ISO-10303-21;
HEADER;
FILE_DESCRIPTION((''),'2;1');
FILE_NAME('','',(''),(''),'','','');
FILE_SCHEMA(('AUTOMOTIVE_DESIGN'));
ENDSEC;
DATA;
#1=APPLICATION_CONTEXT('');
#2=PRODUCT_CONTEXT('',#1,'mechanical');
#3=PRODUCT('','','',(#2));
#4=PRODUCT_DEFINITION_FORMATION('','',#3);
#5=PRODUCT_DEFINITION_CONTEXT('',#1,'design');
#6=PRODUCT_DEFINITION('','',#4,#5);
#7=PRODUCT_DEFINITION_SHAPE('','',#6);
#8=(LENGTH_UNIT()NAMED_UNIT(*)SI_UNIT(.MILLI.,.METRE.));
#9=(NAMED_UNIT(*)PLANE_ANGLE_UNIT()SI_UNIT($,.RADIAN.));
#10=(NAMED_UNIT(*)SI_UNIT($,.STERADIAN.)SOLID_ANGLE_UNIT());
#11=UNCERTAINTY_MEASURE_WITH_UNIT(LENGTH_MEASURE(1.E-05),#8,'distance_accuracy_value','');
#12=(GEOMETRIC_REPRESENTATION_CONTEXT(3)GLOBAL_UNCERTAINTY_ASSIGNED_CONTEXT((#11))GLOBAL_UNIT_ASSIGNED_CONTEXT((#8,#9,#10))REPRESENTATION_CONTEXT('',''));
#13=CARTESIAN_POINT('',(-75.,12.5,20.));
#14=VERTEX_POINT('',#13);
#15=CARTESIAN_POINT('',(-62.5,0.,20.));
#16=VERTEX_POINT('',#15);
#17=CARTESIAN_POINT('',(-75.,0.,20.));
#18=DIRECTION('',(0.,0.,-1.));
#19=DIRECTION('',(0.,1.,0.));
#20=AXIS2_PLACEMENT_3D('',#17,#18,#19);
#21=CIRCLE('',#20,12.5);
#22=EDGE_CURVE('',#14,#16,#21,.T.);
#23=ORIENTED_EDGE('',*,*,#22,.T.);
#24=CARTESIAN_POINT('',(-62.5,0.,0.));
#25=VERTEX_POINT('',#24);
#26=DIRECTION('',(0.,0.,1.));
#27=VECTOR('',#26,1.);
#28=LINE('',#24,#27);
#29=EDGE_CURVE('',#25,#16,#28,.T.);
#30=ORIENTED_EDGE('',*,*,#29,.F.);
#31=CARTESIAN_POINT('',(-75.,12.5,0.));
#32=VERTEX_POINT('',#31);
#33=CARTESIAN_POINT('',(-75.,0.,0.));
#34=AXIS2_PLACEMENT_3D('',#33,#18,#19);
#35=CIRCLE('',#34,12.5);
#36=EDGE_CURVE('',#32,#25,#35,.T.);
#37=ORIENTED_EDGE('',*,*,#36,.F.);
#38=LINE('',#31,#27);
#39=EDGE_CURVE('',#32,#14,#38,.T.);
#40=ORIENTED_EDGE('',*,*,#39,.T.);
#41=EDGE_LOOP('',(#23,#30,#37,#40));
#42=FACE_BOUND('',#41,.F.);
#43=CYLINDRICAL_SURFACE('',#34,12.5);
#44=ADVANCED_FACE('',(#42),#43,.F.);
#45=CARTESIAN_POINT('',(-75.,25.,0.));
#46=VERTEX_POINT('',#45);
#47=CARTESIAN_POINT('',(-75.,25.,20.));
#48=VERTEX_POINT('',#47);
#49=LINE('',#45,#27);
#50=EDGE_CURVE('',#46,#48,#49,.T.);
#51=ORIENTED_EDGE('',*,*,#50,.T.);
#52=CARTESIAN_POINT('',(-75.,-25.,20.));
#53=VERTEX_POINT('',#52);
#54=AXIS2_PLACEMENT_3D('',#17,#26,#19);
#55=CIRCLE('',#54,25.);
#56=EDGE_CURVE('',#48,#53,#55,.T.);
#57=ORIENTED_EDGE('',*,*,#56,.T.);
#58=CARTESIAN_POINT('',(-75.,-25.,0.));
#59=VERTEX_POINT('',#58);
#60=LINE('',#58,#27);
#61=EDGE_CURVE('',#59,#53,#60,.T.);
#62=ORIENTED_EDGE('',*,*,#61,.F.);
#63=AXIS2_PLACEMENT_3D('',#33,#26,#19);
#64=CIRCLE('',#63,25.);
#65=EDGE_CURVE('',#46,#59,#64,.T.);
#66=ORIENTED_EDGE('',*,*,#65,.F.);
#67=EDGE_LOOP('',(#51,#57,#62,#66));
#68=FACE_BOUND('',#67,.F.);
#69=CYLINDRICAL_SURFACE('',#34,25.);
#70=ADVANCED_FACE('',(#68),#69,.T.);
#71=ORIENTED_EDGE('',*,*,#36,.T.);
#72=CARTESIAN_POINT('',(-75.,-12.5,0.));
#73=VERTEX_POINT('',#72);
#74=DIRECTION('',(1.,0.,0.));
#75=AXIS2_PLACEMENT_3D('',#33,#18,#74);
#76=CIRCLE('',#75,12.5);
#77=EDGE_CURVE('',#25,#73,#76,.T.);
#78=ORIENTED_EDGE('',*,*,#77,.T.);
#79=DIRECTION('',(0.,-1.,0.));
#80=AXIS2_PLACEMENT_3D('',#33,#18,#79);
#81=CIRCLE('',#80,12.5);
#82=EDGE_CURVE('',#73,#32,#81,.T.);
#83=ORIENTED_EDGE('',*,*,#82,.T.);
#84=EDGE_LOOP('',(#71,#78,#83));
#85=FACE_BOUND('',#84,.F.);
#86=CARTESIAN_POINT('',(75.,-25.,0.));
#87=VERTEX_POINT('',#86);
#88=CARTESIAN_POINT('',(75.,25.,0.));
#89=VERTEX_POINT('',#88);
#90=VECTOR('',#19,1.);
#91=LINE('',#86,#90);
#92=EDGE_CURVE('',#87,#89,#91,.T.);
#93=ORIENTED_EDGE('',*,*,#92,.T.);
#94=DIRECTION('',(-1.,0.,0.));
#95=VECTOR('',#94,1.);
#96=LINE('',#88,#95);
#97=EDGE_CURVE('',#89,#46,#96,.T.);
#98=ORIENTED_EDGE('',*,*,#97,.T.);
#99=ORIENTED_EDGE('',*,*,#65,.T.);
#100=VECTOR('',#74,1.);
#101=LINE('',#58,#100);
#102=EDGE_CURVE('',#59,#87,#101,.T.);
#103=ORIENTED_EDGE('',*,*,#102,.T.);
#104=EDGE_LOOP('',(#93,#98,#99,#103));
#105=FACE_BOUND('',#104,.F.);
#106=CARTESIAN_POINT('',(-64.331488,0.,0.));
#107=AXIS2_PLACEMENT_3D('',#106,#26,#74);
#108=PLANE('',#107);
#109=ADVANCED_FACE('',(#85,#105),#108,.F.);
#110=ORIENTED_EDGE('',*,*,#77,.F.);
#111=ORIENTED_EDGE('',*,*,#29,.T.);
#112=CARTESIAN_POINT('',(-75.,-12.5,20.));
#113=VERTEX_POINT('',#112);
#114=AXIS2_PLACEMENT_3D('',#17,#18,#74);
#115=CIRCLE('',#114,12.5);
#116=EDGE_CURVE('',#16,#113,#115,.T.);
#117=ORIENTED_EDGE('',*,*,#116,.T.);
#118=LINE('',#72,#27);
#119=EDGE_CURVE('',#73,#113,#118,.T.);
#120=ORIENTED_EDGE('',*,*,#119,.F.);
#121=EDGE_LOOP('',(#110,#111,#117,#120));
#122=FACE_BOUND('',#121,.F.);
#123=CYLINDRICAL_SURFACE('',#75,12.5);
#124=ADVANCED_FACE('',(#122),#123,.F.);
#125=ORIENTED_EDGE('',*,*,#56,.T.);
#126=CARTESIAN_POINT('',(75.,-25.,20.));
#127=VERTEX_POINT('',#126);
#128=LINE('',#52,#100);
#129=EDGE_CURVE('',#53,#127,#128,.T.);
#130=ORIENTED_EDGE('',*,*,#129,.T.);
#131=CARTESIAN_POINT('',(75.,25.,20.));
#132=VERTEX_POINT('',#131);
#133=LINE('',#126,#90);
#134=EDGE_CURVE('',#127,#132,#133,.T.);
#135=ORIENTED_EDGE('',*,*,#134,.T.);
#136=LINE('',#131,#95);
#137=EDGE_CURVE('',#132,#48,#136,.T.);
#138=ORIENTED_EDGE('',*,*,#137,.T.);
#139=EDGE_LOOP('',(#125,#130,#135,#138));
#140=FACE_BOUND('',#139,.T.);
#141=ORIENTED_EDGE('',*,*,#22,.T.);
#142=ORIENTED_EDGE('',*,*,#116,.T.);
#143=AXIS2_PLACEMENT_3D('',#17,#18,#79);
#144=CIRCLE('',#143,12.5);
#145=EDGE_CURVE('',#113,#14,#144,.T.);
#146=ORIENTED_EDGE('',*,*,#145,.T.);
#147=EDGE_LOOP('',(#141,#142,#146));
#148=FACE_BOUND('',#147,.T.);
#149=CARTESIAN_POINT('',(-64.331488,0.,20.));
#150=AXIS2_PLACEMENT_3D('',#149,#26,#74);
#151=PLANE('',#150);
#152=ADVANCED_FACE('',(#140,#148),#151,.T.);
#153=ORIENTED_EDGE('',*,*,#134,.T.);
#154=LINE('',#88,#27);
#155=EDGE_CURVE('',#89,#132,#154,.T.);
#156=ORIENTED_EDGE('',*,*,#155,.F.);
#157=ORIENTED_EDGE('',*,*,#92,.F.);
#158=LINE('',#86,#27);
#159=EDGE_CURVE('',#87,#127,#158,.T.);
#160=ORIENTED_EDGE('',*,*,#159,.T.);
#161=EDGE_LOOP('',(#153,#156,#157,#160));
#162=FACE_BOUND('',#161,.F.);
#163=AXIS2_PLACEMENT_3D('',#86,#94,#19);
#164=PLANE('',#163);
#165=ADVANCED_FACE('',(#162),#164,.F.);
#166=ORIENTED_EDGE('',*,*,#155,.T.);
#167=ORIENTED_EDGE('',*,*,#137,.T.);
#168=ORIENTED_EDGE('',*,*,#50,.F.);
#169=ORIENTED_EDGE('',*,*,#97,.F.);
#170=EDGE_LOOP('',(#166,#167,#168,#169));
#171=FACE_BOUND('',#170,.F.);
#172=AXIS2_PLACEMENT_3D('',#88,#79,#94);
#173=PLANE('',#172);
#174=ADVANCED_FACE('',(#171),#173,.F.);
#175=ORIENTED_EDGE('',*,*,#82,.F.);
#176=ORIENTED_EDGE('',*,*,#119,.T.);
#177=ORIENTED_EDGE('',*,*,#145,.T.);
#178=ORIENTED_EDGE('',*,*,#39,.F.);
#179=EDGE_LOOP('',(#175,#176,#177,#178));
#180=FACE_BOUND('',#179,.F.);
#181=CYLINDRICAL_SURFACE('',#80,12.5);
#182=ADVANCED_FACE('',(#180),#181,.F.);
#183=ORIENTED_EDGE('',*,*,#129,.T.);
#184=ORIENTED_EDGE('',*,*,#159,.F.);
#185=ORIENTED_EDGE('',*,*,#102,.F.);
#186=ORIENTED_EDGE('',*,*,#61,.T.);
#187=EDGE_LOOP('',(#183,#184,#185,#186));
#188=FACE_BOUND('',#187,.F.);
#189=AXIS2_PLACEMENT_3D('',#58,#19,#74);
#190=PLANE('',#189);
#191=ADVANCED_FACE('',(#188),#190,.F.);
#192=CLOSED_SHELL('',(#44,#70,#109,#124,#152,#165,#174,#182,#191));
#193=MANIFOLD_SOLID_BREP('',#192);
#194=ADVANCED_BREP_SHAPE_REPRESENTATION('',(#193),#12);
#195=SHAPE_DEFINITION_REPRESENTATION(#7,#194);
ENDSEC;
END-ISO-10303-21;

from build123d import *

# Parameters (mm, degrees)
F1_DEPTH = 20


with BuildPart() as f1:
    # F0 (on Top) → F1 (new body)
    with BuildSketch(Plane.XY):
        with BuildLine():
            ThreePointArc((-50, 0), (-57.3223304703, 17.6776695297), (-75, 25))
            Line((-75, 25), (-75, 12.5))
            ThreePointArc((-75, 12.5), (-66.1611652352, 8.8388347648), (-62.5, 0))
            ThreePointArc((-62.5, 0), (-66.1611652352, -8.8388347648), (-75, -12.5))
            Line((-75, -12.5), (-75, -25))
            ThreePointArc((-75, -25), (-57.3223304703, -17.6776695297), (-50, 0))
        make_face()
        with BuildLine():
            Line((75, 25), (-75, 25))
            ThreePointArc((-75, 25), (-57.3223304703, 17.6776695297), (-50, 0))
            ThreePointArc((-50, 0), (-57.3223304703, -17.6776695297), (-75, -25))
            Line((-75, -25), (75, -25))
            Line((75, -25), (75, 25))
        make_face()
        with BuildLine():
            Line((-75, 12.5), (-75, 25))
            ThreePointArc((-75, 25), (-100, 0), (-75, -25))
            Line((-75, -25), (-75, -12.5))
            ThreePointArc((-75, -12.5), (-87.5, 0), (-75, 12.5))
        make_face()
    extrude(amount=F1_DEPTH)


solid = f1.part
